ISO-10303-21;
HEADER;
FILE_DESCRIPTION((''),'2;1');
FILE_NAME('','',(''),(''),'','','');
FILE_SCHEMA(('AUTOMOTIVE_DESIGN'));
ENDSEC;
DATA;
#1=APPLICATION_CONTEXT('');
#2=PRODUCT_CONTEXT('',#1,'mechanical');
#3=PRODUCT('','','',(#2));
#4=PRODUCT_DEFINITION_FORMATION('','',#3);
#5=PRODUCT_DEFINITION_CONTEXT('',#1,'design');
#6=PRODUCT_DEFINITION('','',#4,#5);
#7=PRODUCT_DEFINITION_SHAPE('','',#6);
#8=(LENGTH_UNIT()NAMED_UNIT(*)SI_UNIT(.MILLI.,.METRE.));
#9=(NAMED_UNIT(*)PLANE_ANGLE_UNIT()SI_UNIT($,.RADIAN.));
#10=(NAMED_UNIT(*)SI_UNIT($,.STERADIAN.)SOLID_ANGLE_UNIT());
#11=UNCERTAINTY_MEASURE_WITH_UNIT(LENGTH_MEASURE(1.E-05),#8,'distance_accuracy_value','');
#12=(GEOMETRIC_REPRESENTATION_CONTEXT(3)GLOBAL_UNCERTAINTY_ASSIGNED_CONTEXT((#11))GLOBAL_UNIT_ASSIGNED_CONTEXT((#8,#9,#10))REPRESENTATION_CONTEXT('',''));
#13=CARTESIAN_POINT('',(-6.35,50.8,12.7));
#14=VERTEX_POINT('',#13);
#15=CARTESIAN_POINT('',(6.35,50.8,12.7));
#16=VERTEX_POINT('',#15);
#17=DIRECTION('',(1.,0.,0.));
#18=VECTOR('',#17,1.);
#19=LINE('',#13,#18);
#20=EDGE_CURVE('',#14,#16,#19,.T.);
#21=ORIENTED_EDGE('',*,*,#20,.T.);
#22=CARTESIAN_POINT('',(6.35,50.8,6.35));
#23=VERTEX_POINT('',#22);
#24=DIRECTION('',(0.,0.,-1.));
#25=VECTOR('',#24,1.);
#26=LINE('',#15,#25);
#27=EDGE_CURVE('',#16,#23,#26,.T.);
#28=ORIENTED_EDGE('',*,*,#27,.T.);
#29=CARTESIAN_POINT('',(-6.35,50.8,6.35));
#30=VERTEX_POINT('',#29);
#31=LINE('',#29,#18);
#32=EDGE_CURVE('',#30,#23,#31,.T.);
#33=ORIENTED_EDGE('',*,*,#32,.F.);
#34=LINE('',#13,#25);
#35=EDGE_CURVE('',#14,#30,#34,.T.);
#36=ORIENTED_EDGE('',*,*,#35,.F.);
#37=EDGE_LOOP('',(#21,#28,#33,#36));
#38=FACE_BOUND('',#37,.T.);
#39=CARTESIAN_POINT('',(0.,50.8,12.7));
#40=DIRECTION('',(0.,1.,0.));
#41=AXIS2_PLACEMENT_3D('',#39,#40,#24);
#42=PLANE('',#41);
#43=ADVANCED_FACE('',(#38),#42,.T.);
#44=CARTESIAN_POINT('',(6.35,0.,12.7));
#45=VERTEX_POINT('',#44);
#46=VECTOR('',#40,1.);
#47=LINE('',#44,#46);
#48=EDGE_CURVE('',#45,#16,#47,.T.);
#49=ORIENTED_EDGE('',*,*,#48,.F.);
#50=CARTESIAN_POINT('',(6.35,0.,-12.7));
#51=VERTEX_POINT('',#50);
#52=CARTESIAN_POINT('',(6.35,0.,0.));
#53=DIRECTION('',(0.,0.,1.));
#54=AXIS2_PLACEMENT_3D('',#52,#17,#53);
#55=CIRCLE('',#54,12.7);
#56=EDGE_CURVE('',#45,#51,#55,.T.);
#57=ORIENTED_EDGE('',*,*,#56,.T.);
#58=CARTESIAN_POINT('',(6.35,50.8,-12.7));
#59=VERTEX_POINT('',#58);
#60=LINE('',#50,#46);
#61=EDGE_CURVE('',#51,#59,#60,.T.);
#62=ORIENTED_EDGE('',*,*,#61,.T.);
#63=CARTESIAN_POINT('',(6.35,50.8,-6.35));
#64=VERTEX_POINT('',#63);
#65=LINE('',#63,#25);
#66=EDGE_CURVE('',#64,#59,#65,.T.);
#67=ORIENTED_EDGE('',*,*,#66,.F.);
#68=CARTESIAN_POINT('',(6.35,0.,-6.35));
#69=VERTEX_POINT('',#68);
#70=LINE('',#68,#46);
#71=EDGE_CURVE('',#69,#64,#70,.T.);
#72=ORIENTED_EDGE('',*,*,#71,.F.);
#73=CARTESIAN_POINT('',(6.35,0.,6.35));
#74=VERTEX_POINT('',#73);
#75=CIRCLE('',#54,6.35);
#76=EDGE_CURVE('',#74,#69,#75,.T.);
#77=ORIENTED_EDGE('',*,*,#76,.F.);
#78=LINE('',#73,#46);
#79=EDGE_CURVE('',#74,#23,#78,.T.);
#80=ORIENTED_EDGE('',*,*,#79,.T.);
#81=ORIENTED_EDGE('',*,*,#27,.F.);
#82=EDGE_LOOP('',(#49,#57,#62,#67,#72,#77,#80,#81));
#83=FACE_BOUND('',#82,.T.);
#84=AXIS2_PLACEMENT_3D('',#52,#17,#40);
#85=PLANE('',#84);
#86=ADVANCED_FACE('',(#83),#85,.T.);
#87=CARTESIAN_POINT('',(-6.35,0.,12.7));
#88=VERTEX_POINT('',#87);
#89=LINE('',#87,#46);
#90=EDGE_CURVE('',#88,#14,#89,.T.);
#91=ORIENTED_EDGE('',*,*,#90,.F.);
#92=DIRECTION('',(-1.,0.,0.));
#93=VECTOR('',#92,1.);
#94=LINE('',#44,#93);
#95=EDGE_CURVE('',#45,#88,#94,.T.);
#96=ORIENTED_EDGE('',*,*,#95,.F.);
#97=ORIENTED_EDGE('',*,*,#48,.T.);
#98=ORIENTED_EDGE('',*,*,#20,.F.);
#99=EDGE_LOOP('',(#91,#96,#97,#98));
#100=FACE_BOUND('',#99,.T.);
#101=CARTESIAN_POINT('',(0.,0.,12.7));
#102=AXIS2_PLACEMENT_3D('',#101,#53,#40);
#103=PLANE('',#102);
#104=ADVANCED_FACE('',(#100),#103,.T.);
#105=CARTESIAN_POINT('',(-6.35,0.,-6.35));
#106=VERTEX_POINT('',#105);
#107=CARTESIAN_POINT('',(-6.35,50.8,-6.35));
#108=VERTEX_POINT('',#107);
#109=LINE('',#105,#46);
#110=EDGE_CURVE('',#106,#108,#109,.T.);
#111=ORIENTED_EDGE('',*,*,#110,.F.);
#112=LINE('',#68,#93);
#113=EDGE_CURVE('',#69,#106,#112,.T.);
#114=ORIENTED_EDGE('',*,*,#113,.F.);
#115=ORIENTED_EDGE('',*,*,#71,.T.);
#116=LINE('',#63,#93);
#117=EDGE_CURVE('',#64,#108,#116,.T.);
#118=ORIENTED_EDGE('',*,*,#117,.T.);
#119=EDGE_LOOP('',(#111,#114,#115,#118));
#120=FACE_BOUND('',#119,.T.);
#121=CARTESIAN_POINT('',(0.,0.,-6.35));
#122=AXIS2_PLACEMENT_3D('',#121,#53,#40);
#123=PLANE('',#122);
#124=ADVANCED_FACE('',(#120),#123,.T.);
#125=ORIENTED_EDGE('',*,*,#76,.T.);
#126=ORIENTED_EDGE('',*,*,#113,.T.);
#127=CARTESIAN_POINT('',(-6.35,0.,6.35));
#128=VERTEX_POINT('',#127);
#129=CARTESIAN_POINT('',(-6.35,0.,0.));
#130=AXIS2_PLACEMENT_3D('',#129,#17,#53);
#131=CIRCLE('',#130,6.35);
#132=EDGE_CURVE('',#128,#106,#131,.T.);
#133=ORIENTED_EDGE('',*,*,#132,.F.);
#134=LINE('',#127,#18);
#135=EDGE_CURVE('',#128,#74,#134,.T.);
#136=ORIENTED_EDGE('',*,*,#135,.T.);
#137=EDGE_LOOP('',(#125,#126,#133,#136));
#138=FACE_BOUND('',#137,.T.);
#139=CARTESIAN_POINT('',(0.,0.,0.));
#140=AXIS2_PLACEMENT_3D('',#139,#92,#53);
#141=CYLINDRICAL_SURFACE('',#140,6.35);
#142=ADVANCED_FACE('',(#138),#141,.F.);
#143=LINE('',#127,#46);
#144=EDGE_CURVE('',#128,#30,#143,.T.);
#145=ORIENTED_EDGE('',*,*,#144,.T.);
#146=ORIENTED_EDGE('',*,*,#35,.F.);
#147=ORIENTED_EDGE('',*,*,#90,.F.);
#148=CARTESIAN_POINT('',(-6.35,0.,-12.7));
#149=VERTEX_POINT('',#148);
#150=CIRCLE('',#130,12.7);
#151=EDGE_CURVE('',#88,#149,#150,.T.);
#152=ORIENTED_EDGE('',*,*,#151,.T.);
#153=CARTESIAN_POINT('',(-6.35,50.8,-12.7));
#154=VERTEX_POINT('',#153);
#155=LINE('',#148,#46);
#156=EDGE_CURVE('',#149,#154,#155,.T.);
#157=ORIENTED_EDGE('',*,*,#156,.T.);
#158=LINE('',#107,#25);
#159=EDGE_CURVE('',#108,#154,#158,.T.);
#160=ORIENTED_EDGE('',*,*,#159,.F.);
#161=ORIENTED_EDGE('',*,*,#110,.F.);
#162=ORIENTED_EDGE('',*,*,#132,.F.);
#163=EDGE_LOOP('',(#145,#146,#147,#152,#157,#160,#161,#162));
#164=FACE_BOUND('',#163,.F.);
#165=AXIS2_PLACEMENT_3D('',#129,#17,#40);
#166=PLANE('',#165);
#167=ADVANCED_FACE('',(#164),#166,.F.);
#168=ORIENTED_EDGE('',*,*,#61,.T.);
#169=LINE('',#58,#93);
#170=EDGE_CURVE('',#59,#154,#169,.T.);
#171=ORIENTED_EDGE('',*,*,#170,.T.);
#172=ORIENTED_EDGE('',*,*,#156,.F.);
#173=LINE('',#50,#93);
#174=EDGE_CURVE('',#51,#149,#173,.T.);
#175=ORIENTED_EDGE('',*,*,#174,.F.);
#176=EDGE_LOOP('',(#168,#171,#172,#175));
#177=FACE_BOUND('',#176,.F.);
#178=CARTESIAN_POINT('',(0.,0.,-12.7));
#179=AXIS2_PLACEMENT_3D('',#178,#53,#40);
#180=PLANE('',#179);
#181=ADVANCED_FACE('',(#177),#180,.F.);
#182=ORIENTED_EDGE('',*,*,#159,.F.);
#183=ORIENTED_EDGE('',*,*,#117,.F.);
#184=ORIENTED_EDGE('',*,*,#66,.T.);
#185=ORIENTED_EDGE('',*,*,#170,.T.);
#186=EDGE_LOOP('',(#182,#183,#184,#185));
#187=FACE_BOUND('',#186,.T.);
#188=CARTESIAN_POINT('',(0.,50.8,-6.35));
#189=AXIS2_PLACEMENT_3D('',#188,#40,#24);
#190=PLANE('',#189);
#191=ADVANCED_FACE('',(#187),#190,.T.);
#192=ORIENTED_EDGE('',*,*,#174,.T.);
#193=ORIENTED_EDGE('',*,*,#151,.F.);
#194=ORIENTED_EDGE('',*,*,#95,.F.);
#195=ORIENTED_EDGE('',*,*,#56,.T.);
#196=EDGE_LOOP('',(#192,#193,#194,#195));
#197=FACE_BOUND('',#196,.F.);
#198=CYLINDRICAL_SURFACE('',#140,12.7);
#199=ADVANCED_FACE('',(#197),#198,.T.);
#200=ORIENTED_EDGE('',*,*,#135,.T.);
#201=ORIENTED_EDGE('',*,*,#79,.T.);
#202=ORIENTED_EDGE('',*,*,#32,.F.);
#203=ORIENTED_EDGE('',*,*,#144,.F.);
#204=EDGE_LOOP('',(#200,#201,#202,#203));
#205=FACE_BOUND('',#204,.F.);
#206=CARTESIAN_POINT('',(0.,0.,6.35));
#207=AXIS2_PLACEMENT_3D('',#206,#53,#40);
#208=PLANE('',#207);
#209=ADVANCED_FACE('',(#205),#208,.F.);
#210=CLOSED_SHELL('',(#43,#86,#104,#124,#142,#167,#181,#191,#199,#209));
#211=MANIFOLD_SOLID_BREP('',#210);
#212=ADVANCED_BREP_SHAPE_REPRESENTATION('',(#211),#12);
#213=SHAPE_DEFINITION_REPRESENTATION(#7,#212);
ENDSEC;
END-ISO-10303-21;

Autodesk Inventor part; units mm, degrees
ref_plane "YZ Plane" through (0, 0, 0) normal (1, 0, 0) x (0, 1, 0)
ref_plane "XZ Plane" through (0, 0, 0) normal (0, 1, 0) x (-1, 0, 0)
ref_plane "XY Plane" through (0, 0, 0) normal (0, 0, 1) x (1, 0, 0)
sketch "Sketch1" plane through (0, 0, 0) normal (1, 0, 0) x (0, 1, 0)
  arc A0 (0, 6.35) -> (0, -6.35) centre (0, 0) ccw
  arc A1 (0, 12.7) -> (0, -12.7) centre (0, 0) ccw
  line L0 (0, 12.7) -> (50.8, 12.7)
  line L1 (0, -12.7) -> (50.8, -12.7)
  line L2 (0, 6.35) -> (50.8, 6.35)
  line L3 (0, -6.35) -> (50.8, -6.35)
  line L4 (50.8, -6.35) -> (50.8, -12.7)
  line L5 (50.8, 12.7) -> (50.8, 6.35)
  dimension "d0" = 12.7
  dimension "d1" = 25.4
  dimension "d2" = 50.8
extrude "Extrusion1" add sketch "Sketch1" along normal mid plane 12.7
properties part number "U_bolt"
